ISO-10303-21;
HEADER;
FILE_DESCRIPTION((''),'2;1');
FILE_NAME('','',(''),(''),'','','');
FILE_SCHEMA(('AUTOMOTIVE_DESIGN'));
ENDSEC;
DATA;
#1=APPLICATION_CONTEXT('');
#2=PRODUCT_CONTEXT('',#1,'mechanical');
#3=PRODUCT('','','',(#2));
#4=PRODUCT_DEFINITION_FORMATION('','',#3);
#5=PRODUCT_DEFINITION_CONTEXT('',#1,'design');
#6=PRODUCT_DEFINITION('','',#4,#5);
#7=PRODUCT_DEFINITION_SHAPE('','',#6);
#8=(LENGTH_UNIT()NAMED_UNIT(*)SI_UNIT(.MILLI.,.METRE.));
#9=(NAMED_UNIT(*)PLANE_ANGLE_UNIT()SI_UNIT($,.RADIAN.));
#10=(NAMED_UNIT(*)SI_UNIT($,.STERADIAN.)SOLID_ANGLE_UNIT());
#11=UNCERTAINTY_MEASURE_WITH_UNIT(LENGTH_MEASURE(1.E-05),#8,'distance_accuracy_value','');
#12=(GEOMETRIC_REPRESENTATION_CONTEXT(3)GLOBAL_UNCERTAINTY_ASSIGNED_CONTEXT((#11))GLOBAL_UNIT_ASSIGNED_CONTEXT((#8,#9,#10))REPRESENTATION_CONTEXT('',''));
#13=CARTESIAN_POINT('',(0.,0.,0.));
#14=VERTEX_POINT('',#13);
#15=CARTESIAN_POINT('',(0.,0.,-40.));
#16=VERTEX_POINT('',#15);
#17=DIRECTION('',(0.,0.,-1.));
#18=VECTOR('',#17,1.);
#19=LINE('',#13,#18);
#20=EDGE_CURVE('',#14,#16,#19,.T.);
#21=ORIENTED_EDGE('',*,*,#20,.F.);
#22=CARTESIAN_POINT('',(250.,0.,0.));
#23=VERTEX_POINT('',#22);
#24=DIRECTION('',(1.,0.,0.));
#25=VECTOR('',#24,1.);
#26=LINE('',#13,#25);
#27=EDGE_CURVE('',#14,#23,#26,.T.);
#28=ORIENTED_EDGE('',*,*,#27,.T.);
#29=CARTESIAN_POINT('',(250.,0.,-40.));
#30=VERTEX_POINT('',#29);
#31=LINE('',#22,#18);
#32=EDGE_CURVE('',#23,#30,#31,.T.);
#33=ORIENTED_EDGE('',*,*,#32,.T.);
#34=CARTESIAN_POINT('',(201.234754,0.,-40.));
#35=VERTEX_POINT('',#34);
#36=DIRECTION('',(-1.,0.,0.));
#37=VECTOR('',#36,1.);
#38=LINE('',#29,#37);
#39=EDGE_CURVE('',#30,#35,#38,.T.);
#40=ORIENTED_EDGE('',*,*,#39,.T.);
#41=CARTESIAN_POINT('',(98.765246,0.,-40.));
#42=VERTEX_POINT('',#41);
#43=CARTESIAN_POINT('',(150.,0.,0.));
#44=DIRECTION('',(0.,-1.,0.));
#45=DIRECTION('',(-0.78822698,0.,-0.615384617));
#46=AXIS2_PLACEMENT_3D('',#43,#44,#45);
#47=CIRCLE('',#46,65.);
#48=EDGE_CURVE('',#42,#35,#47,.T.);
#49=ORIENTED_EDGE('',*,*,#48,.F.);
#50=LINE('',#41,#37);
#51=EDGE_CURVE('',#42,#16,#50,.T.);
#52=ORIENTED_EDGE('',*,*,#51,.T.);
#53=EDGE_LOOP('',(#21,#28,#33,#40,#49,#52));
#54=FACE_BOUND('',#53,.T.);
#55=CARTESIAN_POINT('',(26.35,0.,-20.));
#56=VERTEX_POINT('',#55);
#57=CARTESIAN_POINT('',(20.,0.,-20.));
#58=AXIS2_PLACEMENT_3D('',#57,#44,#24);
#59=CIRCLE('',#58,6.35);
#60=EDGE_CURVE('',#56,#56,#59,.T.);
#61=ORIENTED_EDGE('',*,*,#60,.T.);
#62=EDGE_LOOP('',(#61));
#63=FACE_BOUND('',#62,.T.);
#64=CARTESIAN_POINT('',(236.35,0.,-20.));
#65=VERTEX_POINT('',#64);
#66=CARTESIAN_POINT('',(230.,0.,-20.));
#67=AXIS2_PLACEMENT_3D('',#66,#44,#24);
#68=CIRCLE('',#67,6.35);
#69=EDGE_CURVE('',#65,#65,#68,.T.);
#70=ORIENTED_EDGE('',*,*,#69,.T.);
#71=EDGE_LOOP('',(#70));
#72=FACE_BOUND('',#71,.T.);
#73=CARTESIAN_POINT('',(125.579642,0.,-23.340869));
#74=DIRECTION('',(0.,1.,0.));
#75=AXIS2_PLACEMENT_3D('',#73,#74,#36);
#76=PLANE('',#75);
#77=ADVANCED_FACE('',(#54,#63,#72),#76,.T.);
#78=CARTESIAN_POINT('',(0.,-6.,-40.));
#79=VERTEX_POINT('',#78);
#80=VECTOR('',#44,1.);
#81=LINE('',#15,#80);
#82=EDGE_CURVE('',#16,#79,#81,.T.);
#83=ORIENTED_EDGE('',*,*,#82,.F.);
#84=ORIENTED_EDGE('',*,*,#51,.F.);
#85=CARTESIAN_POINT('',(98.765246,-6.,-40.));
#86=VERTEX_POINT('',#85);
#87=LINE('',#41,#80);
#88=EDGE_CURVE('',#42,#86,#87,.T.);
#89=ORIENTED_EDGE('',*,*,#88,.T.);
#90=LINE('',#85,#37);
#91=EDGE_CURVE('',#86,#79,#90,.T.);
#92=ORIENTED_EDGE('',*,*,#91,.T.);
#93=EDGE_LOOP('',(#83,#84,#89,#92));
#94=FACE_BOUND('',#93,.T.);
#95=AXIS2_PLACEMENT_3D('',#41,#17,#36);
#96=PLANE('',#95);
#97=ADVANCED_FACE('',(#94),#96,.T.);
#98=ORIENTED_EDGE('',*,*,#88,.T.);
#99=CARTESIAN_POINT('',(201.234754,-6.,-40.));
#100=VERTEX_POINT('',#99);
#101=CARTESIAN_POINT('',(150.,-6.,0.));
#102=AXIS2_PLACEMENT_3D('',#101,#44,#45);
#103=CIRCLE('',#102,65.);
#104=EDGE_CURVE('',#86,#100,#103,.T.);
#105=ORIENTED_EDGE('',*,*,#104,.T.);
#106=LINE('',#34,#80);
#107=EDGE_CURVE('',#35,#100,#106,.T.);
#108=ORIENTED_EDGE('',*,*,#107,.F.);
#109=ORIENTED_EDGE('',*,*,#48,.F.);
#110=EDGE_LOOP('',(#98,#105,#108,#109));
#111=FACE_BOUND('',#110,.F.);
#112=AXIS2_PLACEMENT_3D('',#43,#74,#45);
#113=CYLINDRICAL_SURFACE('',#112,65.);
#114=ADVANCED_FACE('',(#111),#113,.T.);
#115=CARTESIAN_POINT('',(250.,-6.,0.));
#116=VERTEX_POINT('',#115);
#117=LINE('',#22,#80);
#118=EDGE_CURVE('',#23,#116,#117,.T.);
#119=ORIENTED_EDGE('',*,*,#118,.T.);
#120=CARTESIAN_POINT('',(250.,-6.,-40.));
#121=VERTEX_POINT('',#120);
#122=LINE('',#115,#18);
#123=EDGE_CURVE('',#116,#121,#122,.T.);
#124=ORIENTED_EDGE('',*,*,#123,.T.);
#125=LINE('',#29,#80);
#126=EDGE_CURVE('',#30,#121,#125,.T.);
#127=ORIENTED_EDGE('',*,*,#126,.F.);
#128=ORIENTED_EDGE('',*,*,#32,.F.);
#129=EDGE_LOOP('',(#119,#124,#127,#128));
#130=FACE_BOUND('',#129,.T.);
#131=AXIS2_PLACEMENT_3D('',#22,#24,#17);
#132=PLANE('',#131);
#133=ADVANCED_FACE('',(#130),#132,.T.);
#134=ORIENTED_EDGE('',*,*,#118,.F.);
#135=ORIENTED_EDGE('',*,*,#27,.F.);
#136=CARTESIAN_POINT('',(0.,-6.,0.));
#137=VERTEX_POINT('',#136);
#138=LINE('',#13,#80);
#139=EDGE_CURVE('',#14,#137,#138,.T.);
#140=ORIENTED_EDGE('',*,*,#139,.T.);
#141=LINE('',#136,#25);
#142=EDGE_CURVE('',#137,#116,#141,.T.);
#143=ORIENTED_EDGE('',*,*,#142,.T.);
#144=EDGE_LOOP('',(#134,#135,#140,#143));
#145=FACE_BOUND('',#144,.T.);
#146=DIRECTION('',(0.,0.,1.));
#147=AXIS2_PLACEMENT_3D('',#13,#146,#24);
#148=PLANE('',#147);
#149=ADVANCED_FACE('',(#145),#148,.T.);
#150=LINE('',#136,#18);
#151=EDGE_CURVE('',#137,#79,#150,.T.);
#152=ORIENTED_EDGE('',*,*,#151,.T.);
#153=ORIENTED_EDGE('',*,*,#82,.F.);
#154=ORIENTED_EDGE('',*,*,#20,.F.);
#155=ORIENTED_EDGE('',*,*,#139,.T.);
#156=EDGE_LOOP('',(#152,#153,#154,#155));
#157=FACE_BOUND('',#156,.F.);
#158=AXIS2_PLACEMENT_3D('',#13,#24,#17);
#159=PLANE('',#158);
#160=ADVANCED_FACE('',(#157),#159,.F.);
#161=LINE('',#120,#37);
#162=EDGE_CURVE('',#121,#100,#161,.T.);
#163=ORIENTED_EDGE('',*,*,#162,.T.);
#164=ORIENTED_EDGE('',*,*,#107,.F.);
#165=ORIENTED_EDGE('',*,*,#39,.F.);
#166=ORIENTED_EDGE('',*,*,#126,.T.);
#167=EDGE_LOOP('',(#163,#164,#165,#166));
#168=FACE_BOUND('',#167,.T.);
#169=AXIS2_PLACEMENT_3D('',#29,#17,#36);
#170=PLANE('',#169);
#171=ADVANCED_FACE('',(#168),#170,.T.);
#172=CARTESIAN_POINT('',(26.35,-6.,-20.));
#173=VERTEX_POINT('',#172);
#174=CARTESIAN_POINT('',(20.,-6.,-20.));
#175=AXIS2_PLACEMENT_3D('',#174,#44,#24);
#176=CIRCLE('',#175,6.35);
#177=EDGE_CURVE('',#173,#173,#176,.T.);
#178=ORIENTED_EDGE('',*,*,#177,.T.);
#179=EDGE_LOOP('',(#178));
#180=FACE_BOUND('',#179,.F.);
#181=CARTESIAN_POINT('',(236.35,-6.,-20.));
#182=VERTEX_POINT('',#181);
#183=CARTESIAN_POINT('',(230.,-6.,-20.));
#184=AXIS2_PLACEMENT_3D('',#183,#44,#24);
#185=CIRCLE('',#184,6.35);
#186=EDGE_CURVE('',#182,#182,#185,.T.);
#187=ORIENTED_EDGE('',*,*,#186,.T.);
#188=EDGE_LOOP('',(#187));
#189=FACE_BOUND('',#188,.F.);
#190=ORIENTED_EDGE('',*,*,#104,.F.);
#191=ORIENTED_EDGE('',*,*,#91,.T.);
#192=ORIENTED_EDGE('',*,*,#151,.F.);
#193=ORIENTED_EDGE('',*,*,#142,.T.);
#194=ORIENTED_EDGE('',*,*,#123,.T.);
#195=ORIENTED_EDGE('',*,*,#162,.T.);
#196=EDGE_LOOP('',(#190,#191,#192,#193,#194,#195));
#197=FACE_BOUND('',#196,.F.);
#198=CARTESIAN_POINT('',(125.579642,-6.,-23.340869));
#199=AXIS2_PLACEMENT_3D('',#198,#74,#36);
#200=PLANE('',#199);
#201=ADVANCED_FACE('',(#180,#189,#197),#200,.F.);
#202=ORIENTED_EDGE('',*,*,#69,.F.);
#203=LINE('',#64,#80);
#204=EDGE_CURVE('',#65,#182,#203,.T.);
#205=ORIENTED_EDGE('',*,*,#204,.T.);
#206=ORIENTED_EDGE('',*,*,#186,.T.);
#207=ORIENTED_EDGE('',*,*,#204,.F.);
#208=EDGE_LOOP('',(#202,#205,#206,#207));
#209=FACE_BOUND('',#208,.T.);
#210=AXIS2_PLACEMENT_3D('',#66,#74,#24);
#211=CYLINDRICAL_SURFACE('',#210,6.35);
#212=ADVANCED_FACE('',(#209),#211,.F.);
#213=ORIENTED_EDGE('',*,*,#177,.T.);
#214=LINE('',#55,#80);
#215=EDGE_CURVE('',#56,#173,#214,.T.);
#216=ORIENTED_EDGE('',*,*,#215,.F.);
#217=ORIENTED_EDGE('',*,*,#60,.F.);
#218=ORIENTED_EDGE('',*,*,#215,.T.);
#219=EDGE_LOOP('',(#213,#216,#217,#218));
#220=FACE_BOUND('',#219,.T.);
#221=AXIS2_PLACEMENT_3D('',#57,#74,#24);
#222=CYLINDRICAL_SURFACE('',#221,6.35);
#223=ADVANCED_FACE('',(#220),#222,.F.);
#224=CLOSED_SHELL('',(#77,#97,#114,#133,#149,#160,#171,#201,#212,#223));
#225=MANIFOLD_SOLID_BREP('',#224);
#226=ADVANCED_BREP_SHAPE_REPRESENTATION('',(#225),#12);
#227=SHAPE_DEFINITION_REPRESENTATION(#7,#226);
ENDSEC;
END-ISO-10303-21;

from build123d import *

# Parameters (mm, degrees)
SKETCH_R  = 6.35
PAD_DEPTH = 6


with BuildPart() as part:
    # Sketch → Pad (new body)
    with BuildSketch(Plane.XZ):
        with BuildLine():
            Line((0, 0), (250, 0))
            Line((250, 0), (250, -40))
            Line((250, -40), (201.234754, -40))
            ThreePointArc((98.765246, -40), (150, -65), (201.234754, -40))
            Line((98.765246, -40), (0, -40))
            Line((0, 0), (0, -40))
        make_face()
        with Locations((20, -20)):
            Circle(SKETCH_R, mode=Mode.SUBTRACT)
        with Locations((230, -20)):
            Circle(SKETCH_R, mode=Mode.SUBTRACT)
    extrude(amount=PAD_DEPTH)


solid = part.part
